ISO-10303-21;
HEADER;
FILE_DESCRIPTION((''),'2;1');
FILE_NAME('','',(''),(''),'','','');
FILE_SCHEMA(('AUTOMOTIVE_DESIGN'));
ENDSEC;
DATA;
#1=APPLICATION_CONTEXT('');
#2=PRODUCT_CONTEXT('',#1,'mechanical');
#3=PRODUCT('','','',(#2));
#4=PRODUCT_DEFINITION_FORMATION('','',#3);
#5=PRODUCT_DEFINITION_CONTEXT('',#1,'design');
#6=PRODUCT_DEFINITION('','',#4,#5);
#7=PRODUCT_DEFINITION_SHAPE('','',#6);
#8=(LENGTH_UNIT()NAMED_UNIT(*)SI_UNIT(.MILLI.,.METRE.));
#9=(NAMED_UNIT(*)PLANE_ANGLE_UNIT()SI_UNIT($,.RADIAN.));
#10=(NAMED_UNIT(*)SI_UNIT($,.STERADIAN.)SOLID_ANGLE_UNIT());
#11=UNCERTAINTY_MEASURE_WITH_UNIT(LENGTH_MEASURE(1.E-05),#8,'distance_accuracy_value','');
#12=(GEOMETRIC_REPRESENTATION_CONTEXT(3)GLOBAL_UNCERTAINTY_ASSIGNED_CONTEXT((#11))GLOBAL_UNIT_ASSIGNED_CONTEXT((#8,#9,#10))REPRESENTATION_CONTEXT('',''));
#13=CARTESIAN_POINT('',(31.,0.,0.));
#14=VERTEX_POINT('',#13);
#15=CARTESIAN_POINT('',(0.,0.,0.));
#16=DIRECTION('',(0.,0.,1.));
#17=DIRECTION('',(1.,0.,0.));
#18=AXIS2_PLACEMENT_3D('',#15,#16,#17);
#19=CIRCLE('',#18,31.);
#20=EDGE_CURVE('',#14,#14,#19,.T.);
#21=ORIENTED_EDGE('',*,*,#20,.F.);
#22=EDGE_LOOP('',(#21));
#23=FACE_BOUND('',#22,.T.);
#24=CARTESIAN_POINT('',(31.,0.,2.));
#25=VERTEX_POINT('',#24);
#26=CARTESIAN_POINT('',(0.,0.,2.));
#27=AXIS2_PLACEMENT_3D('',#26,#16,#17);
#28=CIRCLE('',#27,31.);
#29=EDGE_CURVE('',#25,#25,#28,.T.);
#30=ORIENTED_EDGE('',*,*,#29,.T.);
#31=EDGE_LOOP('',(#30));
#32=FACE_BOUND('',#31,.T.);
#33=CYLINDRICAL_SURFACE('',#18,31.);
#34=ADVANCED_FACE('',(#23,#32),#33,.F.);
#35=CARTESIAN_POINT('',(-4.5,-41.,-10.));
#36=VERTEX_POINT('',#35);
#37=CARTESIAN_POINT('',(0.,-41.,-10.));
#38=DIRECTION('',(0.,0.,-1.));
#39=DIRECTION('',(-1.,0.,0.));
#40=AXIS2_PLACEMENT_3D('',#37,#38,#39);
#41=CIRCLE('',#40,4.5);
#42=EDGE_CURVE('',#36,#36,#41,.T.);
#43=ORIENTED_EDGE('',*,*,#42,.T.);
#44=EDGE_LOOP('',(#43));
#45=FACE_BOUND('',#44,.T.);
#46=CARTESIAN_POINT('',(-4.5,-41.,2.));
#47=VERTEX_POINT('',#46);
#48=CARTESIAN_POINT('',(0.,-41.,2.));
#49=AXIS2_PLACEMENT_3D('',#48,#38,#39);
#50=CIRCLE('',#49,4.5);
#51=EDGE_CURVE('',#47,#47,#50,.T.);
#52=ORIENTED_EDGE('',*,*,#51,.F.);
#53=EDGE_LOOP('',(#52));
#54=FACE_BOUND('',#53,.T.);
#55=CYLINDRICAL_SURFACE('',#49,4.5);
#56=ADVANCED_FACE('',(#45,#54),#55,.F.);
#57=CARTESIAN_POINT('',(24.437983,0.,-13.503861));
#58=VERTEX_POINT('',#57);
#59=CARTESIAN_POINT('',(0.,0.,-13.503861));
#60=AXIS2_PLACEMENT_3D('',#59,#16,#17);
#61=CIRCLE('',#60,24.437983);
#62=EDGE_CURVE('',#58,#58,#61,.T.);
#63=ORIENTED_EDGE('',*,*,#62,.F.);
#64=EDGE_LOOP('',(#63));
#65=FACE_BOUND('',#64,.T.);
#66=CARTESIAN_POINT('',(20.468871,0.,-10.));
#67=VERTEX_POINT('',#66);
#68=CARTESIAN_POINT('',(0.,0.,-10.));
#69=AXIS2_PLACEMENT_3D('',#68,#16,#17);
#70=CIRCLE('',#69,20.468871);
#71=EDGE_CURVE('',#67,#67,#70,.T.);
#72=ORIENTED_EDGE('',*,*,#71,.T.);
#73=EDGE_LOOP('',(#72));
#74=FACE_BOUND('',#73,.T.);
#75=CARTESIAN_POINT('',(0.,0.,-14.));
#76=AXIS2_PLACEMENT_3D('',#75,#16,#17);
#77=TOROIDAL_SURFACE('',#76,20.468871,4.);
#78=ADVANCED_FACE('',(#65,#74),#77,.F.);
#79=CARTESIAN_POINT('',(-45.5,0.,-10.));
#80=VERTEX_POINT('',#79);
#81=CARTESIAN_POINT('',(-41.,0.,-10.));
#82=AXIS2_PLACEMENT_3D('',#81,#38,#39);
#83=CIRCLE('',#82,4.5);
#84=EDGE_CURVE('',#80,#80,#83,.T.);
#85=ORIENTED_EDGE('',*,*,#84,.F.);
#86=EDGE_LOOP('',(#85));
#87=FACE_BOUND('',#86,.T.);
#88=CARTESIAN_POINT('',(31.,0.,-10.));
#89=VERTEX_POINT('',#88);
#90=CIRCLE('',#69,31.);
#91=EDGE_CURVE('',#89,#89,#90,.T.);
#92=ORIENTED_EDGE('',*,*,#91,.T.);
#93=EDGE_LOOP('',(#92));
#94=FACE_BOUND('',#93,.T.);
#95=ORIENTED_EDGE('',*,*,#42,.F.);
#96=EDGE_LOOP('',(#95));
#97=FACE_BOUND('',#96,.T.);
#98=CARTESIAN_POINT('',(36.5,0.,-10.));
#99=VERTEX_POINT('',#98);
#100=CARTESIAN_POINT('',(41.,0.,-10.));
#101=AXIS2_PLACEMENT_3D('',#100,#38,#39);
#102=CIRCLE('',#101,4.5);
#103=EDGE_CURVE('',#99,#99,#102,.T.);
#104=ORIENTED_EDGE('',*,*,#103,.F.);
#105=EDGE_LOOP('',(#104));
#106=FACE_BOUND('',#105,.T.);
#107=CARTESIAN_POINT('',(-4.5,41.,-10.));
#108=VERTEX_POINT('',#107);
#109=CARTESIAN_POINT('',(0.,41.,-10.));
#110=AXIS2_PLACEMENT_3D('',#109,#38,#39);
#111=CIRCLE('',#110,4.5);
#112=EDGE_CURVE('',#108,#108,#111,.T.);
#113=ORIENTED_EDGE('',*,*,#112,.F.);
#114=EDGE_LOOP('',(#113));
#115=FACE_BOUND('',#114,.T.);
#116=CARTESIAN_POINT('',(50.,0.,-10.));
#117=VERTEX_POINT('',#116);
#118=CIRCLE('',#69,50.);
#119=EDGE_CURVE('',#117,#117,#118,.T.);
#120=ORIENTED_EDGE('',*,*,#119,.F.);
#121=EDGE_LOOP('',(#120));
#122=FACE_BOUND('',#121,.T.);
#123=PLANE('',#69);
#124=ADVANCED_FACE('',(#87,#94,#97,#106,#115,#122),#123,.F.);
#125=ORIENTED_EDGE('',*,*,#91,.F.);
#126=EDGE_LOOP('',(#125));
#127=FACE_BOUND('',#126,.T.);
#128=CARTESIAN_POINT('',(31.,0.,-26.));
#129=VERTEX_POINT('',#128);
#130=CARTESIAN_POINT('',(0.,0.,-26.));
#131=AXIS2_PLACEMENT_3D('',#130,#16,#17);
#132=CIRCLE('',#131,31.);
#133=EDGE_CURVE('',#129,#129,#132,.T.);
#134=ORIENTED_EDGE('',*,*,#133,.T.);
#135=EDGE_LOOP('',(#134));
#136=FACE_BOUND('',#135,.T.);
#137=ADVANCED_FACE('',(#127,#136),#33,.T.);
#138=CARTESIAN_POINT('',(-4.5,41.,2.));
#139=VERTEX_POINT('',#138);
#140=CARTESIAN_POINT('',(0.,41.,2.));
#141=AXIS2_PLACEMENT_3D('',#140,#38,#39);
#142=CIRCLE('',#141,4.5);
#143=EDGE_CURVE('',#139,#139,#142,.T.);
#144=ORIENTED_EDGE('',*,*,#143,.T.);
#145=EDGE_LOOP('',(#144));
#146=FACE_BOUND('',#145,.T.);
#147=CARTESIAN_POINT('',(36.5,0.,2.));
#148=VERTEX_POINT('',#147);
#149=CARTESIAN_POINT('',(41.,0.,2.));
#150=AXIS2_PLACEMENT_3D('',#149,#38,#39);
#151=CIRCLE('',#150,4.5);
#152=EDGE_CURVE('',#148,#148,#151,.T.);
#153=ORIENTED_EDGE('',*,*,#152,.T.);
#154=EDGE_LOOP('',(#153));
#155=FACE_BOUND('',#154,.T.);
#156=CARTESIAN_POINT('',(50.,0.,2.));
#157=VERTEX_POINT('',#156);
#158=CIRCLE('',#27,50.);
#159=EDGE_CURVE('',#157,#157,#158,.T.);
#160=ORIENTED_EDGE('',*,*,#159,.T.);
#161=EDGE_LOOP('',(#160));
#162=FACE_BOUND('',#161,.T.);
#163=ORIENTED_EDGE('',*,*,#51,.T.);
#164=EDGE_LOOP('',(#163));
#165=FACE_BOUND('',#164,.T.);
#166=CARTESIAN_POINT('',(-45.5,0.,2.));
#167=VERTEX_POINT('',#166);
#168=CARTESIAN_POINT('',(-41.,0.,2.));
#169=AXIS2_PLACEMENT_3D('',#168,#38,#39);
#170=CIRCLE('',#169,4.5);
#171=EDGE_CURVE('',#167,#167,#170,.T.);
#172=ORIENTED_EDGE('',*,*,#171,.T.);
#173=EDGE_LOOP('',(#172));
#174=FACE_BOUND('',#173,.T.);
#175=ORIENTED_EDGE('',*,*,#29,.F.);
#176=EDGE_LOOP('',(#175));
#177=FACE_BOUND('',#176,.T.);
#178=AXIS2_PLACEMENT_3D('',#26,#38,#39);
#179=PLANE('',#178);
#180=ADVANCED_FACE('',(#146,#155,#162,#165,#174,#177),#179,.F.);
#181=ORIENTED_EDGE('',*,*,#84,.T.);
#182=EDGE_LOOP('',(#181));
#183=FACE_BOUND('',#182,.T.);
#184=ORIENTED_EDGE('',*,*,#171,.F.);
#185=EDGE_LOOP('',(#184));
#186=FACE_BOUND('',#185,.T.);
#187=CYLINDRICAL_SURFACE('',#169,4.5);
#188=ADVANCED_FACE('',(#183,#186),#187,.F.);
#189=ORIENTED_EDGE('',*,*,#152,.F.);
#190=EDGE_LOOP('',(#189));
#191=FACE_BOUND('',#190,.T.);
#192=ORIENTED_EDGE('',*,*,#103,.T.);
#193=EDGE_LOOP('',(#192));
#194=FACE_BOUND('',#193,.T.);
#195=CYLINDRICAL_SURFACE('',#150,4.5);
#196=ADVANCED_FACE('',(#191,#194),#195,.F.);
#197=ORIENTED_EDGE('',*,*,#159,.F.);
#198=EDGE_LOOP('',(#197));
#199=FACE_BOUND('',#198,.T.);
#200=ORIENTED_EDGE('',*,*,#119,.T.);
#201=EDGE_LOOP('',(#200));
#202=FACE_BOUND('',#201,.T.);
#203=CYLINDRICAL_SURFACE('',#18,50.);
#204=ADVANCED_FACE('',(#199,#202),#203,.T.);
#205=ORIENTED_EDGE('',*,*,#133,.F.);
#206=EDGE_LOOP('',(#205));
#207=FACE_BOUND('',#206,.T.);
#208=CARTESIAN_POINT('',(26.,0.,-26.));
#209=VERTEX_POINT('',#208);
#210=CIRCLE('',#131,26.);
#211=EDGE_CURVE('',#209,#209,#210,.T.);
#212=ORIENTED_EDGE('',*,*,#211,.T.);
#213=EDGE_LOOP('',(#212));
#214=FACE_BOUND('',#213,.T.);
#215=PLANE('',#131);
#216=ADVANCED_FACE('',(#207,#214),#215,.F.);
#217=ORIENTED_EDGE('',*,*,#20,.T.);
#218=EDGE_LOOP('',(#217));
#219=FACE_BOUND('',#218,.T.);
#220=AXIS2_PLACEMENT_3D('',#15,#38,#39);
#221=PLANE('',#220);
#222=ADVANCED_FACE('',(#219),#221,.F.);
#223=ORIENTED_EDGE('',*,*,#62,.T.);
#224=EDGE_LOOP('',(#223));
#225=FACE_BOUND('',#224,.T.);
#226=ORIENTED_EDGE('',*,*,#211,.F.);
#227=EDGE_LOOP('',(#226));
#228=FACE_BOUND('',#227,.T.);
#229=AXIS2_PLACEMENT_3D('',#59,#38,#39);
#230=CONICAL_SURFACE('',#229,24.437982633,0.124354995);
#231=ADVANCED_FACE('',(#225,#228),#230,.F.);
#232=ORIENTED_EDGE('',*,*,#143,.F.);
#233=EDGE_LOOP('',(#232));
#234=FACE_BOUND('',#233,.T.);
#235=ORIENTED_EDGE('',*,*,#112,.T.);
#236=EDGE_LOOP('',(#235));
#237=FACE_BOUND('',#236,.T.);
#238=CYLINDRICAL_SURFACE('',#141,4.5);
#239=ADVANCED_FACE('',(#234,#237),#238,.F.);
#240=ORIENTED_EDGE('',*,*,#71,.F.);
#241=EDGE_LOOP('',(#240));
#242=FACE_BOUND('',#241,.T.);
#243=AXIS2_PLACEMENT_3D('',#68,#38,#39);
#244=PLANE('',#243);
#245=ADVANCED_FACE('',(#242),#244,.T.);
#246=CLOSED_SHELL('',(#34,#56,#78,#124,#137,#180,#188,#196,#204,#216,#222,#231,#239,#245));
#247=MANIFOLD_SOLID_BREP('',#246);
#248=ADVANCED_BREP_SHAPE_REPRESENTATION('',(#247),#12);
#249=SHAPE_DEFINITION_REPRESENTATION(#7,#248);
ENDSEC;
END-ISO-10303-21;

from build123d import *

# Parameters (mm, degrees)
SKETCH_2_R          = 4.5
CUT_EXTRUDE_1_DEPTH = 73.498275842


with BuildPart() as part:
    # 草图1 one side → 旋转4 (revolve)
    with BuildSketch(Plane(origin=(0, 0, 0), x_dir=(1, 0, 0), z_dir=(0, 1, 0)), mode=Mode.PRIVATE) as revolve_4_sk:
        with BuildLine():
            Line((0, 10), (-20.468871126, 10))
            ThreePointArc((-20.468871126, 10), (-23.116081379, 11.001287297), (-24.437982633, 13.503861062))
            Line((-24.437982633, 13.503861062), (-26, 26))
            Line((-26, 26), (-31, 26))
            Line((-31, 26), (-31, 10))
            Line((-31, 10), (-50, 10))
            Line((-50, 10), (-50, -2))
            Line((-50, -2), (-31, -2))
            Line((-31, -2), (-31, 0))
            Line((-31, 0), (0, 0))
            Line((0, 0), (0, 10))
        make_face()
    revolve(revolve_4_sk.sketch.rotate(Axis((0, 0, 0), (0, 0, -1)), 180), axis=Axis((0, 0, 0), (0, 0, -1)))

    # 草图2 → 切除-拉伸1 (cut, through all)
    with BuildSketch(Plane(origin=(0, 0, -10), x_dir=(-1, 0, 0), z_dir=(0, 0, -1))):
        with Locations((41, 0)):
            Circle(SKETCH_2_R)
        with Locations((0, -41)):
            Circle(SKETCH_2_R)
        with Locations((-41, 0)):
            Circle(SKETCH_2_R)
        with Locations((0, 41)):
            Circle(SKETCH_2_R)
    extrude(amount=-CUT_EXTRUDE_1_DEPTH, mode=Mode.SUBTRACT)


solid = part.part
